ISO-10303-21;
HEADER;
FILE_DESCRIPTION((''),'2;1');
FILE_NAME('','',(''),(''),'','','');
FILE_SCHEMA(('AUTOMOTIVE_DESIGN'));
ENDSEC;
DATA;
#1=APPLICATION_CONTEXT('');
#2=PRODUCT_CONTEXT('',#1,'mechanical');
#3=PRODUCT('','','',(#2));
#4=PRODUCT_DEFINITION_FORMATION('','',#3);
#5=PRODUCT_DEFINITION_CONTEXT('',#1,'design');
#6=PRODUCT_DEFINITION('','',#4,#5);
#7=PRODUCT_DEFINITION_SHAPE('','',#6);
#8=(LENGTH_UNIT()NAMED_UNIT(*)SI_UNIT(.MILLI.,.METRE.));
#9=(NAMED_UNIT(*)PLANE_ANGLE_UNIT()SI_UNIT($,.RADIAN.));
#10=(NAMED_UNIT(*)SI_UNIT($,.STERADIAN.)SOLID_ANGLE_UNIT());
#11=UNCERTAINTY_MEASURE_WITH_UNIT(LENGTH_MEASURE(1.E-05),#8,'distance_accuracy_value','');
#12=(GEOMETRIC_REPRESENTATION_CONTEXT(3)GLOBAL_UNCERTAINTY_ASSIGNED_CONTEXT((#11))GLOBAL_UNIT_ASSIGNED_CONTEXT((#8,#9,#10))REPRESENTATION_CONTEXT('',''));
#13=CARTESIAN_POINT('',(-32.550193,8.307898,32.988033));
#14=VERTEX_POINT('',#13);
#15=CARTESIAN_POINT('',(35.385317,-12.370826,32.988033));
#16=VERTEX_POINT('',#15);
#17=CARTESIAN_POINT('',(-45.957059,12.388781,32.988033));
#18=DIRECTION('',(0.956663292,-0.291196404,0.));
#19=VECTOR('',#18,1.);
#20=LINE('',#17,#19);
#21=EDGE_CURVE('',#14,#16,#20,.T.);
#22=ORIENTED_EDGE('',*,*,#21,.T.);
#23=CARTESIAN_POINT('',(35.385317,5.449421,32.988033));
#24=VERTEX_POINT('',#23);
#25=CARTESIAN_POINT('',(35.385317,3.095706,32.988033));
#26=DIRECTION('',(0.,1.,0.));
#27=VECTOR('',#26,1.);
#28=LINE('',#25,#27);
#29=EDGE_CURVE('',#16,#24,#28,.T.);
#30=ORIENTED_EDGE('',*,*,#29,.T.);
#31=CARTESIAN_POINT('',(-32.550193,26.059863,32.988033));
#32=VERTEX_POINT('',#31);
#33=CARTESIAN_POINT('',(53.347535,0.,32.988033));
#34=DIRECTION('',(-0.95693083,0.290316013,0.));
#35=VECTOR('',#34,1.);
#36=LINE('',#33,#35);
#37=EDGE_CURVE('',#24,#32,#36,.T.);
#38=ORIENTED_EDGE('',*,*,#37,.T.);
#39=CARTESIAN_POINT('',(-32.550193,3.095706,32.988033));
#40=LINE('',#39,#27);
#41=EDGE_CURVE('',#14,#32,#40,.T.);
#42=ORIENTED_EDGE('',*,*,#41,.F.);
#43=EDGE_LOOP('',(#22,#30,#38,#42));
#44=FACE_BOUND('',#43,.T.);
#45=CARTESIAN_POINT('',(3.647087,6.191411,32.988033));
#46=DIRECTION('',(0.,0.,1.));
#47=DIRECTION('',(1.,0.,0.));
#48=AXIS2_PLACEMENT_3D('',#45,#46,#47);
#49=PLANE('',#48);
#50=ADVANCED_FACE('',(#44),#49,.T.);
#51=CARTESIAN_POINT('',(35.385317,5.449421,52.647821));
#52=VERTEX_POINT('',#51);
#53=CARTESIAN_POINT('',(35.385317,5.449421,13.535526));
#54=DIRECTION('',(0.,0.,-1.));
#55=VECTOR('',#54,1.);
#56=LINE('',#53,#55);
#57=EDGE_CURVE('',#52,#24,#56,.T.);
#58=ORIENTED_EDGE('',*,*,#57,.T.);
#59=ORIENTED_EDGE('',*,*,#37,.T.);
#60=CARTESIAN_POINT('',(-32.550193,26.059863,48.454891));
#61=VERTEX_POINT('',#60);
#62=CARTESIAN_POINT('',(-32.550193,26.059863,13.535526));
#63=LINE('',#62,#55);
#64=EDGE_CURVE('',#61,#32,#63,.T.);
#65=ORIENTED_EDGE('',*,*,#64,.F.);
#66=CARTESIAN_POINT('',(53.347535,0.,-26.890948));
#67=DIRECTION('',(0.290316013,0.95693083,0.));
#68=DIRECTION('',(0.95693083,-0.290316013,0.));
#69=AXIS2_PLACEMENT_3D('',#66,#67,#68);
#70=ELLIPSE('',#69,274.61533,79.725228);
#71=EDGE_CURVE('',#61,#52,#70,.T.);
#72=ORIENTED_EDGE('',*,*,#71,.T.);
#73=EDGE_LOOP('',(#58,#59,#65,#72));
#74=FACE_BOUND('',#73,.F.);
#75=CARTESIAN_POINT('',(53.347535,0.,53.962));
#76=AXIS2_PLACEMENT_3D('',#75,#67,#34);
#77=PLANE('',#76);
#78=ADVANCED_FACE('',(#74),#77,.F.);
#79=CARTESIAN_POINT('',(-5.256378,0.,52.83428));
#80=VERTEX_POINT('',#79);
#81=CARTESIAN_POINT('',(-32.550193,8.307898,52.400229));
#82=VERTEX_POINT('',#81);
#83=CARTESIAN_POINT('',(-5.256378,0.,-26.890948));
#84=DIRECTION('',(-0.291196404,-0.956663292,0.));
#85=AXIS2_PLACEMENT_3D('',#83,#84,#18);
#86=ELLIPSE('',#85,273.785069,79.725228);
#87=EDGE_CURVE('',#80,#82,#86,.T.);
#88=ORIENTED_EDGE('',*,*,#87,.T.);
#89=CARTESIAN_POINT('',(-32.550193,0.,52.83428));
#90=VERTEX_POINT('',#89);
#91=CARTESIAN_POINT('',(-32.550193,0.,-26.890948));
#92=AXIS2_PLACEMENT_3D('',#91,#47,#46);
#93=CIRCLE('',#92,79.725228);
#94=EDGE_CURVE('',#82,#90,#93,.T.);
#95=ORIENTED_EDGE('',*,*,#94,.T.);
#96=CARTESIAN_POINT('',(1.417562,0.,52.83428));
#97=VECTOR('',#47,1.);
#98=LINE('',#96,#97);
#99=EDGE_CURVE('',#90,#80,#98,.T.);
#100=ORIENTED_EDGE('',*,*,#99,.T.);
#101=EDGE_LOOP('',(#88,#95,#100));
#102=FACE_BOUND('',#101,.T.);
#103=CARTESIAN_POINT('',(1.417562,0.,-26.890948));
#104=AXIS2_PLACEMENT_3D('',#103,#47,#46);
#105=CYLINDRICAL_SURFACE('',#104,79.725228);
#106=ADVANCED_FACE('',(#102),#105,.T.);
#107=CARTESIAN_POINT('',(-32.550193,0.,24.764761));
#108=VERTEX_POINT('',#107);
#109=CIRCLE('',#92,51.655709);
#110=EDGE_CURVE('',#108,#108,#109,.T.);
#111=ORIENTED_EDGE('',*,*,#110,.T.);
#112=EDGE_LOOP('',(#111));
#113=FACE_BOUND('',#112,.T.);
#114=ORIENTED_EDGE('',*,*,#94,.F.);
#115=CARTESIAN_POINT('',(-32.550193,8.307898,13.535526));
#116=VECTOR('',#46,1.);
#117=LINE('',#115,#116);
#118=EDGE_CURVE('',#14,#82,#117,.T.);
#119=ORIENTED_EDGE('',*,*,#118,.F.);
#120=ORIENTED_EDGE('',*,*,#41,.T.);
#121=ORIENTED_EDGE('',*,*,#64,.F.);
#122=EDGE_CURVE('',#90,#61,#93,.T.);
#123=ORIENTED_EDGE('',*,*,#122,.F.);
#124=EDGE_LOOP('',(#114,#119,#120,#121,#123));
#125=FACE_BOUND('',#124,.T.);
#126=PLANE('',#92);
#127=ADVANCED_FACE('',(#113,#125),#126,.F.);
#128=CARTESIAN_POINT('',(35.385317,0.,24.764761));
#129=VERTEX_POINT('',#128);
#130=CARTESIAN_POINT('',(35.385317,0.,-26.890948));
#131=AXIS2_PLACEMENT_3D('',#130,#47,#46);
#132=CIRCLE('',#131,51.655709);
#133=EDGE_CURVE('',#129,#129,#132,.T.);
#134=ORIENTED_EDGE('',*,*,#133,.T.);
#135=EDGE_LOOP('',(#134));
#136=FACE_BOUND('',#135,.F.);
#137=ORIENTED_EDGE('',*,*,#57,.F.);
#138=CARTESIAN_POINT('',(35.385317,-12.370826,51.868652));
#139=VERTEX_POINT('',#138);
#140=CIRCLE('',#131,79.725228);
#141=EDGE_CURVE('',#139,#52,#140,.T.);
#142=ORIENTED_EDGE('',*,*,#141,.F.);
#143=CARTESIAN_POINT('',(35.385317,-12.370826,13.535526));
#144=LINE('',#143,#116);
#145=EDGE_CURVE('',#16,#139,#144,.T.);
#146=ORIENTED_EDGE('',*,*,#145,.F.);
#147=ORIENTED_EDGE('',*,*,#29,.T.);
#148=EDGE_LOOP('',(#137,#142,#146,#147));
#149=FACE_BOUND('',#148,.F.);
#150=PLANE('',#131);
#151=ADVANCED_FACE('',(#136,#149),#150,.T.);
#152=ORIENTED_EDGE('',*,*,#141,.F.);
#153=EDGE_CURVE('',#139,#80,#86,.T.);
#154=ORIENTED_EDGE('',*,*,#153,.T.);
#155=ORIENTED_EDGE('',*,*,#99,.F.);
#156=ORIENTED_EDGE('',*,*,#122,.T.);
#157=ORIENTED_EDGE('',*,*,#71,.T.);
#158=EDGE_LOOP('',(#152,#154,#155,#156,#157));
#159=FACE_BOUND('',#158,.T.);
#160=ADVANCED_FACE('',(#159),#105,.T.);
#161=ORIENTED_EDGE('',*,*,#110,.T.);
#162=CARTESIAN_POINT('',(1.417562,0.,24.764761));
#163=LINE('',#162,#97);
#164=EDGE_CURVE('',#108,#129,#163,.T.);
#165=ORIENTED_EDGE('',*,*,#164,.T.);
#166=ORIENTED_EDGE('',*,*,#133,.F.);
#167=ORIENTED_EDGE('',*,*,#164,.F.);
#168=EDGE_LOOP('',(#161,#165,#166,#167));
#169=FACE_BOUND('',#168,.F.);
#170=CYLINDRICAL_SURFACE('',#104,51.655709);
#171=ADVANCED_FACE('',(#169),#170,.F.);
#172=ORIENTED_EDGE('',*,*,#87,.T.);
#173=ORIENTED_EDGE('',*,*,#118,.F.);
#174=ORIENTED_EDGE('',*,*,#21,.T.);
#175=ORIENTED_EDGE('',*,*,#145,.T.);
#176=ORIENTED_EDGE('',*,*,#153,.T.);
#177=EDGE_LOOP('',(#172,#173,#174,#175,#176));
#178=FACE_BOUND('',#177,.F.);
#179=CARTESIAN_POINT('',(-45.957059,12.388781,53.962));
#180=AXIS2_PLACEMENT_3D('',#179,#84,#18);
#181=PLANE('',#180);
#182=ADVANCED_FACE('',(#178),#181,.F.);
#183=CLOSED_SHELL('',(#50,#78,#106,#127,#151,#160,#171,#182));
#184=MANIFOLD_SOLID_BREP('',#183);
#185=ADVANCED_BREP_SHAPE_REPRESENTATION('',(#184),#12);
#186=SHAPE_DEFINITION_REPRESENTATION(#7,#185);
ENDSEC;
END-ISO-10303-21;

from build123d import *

# Parameters (mm, degrees)
F0_W     = 67.935511
F0_H     = 28.069519
F4_DEPTH = 20.973967


with BuildPart() as f1:
    # F0 (on Front) → F1 (revolve)
    with BuildSketch(Plane.XZ):
        with Locations((1.417562, 38.79952)):
            Rectangle(F0_W, F0_H)
    revolve(axis=Axis((8.571956, 0, -26.890948), (1, 0, 0)))

    # F3 (on offset) → F4 (cut)
    with BuildSketch(Plane.XY.offset(53.962)):
        Polygon((53.347535, 0), (-46.056576, 30.157462), (-45.957059, 12.388781), (53.227343, -17.801717), align=None)
    extrude(amount=-F4_DEPTH, mode=Mode.SUBTRACT)


solid = f1.part
